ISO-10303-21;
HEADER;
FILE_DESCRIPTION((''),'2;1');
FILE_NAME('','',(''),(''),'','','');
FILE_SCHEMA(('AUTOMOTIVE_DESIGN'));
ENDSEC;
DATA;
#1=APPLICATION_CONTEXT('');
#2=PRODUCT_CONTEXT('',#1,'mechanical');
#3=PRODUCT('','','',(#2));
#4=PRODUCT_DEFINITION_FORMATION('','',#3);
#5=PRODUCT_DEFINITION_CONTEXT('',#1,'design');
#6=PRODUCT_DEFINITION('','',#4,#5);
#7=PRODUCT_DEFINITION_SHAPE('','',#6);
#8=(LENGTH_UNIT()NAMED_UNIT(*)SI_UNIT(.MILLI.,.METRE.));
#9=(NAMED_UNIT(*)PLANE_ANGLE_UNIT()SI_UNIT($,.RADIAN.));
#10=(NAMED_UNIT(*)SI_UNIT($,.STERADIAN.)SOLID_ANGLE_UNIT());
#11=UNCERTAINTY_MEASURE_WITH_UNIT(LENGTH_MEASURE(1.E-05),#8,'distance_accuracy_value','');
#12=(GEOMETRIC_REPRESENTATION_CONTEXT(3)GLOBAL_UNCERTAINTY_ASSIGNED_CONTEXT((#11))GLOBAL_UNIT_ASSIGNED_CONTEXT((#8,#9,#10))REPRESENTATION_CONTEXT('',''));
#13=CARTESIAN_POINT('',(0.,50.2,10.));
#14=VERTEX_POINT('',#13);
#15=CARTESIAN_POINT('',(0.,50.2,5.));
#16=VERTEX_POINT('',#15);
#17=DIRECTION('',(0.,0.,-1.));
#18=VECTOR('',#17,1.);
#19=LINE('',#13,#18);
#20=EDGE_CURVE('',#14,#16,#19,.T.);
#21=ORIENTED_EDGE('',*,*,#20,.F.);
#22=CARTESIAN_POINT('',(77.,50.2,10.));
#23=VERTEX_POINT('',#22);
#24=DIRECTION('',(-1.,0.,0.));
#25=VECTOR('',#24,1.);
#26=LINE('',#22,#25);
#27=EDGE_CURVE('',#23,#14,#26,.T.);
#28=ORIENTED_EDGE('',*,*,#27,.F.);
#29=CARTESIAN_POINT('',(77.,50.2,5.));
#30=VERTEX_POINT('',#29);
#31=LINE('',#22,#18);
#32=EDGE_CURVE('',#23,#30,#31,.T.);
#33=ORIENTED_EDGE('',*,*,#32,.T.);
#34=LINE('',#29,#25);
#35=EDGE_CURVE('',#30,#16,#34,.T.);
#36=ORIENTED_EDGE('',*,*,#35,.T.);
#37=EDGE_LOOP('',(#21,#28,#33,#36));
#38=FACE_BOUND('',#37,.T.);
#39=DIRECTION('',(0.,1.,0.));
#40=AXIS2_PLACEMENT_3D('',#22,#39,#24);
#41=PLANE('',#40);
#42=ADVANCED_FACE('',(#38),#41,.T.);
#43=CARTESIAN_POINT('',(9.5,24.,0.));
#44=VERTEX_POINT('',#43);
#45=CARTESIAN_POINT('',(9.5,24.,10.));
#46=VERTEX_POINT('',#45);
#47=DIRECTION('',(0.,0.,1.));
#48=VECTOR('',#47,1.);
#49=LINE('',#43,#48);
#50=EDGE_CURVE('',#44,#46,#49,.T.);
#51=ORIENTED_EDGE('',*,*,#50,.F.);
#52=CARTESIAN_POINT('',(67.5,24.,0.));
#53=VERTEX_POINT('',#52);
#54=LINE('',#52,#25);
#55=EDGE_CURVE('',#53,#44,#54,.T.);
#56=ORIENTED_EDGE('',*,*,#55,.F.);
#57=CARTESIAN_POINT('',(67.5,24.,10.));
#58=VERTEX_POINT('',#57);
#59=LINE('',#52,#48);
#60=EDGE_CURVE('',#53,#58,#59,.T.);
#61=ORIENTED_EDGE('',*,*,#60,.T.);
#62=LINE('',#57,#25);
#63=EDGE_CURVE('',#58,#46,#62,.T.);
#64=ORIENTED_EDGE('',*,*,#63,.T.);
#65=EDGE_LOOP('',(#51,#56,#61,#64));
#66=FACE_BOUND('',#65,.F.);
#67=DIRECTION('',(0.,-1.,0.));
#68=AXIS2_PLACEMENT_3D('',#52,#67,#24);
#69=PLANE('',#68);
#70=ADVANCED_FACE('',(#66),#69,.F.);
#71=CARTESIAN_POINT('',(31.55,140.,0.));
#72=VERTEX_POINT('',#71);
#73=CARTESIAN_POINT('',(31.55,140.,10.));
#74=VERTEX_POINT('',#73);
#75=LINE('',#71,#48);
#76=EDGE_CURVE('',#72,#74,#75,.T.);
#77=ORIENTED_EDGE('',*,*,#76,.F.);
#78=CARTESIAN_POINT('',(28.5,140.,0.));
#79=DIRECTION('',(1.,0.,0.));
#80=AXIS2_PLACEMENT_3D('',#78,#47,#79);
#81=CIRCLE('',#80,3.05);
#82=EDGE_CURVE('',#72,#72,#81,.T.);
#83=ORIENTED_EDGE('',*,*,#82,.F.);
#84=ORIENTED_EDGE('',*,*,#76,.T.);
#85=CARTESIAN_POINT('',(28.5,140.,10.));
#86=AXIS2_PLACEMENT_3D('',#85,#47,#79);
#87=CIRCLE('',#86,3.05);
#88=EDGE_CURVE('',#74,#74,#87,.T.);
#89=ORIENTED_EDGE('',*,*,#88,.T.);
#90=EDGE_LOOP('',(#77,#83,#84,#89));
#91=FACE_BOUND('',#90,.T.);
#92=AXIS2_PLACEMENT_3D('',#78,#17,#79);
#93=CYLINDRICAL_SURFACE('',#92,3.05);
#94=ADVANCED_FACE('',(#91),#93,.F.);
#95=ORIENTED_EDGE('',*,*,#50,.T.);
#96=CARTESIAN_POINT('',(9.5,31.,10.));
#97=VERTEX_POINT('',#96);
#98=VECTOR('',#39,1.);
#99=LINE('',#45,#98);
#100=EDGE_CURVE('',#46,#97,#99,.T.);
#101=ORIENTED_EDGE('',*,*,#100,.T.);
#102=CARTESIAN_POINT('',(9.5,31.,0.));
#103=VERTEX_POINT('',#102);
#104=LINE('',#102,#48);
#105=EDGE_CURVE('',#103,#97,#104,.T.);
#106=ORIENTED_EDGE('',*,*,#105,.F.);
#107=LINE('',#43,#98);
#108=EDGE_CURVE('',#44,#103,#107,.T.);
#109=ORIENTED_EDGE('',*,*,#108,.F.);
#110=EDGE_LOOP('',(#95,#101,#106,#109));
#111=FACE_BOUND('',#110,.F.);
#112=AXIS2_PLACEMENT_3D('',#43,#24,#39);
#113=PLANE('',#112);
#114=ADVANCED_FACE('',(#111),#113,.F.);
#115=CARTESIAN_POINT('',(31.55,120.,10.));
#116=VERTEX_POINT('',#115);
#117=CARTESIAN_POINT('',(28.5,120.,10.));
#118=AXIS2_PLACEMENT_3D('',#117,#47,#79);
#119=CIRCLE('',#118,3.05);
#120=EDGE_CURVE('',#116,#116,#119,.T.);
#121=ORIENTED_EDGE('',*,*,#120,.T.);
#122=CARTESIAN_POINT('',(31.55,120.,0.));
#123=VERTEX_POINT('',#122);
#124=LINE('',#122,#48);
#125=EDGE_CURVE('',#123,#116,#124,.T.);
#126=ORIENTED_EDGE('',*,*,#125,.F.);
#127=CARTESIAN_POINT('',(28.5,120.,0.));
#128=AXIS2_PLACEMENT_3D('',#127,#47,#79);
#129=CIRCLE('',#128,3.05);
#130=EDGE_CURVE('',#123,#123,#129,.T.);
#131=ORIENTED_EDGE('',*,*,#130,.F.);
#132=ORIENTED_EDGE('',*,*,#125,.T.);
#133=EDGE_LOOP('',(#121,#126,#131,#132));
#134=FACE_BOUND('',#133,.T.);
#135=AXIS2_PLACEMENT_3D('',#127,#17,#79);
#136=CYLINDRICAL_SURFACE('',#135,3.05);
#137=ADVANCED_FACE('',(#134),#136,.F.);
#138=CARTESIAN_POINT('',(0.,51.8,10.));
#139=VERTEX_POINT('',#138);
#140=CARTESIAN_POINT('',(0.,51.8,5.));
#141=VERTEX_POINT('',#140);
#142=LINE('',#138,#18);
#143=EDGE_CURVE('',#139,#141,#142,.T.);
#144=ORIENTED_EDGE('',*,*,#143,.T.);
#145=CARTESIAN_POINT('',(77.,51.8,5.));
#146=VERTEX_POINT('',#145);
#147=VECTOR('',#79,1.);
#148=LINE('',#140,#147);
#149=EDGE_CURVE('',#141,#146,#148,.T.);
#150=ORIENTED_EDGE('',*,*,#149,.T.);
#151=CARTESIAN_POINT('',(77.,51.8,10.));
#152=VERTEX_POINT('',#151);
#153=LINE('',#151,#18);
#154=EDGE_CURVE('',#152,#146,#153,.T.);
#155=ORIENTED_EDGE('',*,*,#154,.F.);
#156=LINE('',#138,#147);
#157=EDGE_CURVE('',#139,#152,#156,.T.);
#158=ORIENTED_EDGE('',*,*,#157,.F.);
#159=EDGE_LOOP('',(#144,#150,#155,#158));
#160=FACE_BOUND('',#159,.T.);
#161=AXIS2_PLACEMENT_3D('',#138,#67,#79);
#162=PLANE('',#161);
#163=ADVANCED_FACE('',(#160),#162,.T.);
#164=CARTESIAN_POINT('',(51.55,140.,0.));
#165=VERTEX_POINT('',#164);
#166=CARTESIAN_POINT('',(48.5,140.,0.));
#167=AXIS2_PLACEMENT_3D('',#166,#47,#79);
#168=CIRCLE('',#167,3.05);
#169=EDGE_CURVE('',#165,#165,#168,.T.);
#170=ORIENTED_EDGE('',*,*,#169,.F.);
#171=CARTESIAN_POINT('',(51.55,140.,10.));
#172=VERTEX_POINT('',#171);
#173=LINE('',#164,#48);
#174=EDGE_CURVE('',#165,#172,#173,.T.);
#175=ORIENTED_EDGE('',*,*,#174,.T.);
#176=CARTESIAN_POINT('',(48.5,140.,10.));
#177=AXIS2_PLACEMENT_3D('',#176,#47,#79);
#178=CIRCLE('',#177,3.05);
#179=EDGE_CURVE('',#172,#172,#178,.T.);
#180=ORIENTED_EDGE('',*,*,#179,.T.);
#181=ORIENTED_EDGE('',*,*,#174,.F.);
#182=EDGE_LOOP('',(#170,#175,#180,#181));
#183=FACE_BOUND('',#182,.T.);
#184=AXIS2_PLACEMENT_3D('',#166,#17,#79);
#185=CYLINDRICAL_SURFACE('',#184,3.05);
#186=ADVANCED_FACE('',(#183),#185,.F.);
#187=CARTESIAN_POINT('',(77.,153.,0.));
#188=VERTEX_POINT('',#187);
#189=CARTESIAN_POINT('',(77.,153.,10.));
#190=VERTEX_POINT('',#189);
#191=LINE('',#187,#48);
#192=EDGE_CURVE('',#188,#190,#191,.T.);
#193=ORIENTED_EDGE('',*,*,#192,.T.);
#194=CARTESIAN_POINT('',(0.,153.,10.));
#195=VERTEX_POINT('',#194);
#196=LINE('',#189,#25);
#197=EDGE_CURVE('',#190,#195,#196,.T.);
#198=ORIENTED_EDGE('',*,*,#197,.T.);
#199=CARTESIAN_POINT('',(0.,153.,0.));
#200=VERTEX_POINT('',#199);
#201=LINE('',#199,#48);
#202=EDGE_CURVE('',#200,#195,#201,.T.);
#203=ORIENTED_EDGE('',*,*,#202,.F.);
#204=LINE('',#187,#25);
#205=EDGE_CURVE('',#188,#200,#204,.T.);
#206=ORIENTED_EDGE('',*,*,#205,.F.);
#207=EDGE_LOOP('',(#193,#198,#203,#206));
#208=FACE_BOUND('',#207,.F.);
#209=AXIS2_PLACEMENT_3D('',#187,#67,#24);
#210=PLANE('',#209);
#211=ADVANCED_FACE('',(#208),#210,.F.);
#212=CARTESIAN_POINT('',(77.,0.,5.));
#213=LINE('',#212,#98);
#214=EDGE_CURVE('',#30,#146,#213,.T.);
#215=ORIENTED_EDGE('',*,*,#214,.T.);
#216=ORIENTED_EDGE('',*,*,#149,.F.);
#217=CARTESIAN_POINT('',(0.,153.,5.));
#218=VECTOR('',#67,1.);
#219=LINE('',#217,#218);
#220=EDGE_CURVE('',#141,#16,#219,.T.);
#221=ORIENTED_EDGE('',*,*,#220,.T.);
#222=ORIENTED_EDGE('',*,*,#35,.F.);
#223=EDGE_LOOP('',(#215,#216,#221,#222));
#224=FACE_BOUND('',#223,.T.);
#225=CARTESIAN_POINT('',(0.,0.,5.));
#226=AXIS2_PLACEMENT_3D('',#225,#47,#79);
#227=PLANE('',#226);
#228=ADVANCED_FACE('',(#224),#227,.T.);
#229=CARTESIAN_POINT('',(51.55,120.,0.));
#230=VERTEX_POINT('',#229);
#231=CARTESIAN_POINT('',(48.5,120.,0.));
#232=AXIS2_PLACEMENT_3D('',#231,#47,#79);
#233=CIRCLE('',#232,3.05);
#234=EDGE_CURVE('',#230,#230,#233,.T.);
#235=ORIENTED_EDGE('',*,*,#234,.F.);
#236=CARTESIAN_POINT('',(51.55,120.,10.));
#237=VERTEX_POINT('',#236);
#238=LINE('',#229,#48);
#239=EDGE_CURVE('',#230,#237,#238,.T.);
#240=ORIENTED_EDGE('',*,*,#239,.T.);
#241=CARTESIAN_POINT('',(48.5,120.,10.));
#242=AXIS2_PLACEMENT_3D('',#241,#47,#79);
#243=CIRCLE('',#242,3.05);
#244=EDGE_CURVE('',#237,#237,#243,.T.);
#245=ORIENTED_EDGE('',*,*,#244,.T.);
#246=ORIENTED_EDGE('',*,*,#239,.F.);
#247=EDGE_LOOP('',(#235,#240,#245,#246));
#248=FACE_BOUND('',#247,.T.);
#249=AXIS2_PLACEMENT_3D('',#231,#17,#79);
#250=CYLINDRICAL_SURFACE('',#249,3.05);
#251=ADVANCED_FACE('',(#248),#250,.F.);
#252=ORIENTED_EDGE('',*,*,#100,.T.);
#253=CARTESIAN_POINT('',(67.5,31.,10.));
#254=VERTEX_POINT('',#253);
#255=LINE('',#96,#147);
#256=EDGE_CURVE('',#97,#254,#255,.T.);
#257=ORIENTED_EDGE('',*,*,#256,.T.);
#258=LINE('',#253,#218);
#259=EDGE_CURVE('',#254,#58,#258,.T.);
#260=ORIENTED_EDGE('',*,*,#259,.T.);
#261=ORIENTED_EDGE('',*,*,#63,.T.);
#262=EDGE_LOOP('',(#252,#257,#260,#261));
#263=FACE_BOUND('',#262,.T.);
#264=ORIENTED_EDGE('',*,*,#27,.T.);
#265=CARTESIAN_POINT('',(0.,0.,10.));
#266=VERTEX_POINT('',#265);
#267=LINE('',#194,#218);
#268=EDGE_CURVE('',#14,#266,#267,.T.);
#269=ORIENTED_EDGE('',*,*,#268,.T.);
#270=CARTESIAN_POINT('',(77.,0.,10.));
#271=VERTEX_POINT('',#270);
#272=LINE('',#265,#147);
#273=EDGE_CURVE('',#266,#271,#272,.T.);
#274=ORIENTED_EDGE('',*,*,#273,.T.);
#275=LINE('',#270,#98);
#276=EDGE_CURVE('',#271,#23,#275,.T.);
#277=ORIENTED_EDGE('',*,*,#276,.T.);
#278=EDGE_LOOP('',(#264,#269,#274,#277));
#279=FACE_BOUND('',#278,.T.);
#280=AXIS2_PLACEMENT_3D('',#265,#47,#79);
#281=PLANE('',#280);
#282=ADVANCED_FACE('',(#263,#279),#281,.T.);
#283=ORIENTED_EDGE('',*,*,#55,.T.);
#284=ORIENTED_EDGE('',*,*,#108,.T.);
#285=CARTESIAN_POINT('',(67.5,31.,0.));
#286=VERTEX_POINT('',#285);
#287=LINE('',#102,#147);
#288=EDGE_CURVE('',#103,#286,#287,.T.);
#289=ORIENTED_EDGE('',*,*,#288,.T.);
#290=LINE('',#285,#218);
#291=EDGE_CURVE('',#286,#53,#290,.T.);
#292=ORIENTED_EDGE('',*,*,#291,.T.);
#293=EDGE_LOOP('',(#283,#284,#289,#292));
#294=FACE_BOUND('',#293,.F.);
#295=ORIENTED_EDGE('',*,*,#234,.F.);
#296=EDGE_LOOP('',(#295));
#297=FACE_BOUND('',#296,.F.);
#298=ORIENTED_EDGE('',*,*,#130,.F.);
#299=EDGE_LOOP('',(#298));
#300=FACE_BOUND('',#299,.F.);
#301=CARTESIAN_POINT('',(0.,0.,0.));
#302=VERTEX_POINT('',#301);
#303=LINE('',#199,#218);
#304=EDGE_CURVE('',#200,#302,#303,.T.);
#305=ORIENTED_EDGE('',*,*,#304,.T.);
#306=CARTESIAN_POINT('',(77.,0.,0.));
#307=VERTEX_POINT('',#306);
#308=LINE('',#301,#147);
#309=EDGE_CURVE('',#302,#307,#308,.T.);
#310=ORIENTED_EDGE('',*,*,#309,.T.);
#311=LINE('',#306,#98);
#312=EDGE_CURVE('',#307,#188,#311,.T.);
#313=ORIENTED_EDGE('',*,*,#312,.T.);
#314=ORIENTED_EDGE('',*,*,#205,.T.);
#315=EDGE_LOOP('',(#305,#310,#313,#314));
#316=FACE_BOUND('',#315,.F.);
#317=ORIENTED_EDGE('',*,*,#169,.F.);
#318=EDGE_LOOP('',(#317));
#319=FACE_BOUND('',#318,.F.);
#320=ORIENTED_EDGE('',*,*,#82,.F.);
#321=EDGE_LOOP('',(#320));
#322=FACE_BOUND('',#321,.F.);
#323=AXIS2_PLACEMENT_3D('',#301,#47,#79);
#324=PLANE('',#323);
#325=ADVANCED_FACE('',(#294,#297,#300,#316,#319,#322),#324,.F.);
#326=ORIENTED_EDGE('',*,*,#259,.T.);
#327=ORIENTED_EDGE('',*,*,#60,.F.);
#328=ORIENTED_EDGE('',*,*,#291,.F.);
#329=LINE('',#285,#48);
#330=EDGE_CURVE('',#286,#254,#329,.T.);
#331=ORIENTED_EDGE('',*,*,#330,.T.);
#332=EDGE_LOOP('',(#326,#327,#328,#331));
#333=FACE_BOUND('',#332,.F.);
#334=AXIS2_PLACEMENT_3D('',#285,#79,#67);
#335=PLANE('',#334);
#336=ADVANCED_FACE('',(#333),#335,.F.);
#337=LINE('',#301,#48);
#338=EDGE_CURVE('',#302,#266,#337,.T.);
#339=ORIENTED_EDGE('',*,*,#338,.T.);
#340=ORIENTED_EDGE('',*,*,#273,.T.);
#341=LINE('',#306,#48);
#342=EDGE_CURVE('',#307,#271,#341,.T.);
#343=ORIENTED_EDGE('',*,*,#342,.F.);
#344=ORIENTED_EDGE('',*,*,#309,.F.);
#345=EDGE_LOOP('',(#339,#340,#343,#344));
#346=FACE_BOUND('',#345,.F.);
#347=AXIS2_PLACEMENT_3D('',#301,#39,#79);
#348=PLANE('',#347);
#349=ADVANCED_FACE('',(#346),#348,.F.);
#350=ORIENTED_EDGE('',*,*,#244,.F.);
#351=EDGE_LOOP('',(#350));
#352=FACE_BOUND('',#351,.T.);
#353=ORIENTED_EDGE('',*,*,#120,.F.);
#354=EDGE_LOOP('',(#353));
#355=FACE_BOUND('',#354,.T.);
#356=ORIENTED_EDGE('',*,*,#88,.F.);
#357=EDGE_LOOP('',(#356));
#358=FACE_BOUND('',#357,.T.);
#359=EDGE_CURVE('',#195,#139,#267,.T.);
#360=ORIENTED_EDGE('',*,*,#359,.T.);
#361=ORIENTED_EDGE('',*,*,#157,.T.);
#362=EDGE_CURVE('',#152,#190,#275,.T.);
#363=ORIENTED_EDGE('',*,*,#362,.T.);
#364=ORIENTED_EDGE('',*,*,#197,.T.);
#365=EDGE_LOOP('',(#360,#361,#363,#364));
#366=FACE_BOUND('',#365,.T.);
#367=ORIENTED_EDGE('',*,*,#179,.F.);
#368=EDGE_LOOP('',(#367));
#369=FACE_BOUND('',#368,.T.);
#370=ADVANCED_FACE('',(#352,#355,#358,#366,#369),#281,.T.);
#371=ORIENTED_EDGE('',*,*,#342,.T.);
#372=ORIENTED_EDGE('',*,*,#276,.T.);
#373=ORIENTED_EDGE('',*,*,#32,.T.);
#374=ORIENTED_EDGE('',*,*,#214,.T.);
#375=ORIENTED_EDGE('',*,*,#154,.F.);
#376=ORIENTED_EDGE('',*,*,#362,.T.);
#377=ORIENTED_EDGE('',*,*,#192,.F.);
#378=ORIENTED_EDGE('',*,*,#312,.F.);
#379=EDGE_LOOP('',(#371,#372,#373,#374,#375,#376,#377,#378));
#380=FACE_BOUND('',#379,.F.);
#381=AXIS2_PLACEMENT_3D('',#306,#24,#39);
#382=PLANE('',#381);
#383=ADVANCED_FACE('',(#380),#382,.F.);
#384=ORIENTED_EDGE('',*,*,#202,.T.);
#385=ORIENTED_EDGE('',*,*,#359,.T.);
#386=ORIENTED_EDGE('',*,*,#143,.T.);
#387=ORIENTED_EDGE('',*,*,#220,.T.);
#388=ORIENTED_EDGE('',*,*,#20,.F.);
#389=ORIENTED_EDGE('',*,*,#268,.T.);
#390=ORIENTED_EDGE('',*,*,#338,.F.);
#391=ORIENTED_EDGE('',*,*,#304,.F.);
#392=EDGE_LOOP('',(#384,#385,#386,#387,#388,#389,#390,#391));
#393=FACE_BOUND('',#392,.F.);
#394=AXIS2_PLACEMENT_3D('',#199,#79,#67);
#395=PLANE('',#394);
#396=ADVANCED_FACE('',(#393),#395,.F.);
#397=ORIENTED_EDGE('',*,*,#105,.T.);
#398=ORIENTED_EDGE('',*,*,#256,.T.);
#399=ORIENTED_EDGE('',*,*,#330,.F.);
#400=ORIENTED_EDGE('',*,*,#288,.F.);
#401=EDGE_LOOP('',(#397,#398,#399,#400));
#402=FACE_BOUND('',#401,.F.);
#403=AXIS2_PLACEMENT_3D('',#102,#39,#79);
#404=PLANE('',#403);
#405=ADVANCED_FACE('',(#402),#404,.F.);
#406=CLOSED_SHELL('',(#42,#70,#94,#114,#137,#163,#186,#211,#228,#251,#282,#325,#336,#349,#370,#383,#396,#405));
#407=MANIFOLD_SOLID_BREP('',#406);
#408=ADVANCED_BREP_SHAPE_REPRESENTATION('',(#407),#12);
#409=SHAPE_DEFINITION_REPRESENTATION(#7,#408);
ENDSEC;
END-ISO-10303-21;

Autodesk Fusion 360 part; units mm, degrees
sketch "Sketch1" plane through (0, 0, 0) normal (0, 0, 1) x (1, 0, 0)
  line L0 (0, 0) -> (77, 0)
  line L1 (77, 0) -> (77, 153)
  line L2 (77, 153) -> (0, 153)
  line L3 (0, 153) -> (0, 0)
  circle A0 centre (28.5, 140) radius 3.05
  circle A1 centre (48.5, 140) radius 3.05
  circle A2 centre (28.5, 120) radius 3.05
  circle A3 centre (48.5, 120) radius 3.05
  line L4 (9.5, 31) -> (67.5, 31)
  line L5 (67.5, 31) -> (67.5, 24)
  line L6 (67.5, 24) -> (9.5, 24)
  line L7 (9.5, 24) -> (9.5, 31)
  dimension "d1" = 153
  dimension "d2" = 77
  dimension "d3" = 6.1
  dimension "d4" = 6.1
  dimension "d5" = 6.1
  dimension "d6" = 6.1
  dimension "d7" = 140
  dimension "d8" = 140
  dimension "d9" = 120
  dimension "d10" = 120
  dimension "d11" = 20
  dimension "d12" = 20
  dimension "d13" = 28.5
  dimension "d14" = 28.5
  dimension "d17" = 24
  dimension "d18" = 9.5
  dimension "d19" = 9.5
  dimension "d20" = 7
extrude "Extrude1" add sketch "Sketch1" along normal blind 10
sketch "Sketch2" plane through (0, 0, 10) normal (0, 0, 1) x (1, 0, 0)
  circle A0 centre (28.5, 120) radius 3.05
  circle A1 centre (48.5, 120) radius 3.05
  circle A2 centre (48.5, 140) radius 3.05
  circle A3 centre (28.5, 140) radius 3.05
  line L0 (67.5, 24) -> (9.5, 24)
  line L1 (9.5, 24) -> (9.5, 31)
  line L2 (9.5, 31) -> (67.5, 31)
  line L3 (67.5, 31) -> (67.5, 24)
  line L4 (0, 153) -> (0, 0)
  line L5 (0, 0) -> (77, 0)
  line L6 (77, 0) -> (77, 153)
  line L7 (77, 153) -> (0, 153)
  line L8 (0, 51.8) -> (77, 51.8)
  line L9 (77, 51.8) -> (77, 50.2)
  line L10 (77, 50.2) -> (0, 50.2)
  line L11 (0, 50.2) -> (0, 51.8)
  dimension "d21" = 50.2
  dimension "d22" = 51.8
extrude "Extrude2" cut sketch "Sketch2" against normal blind 5 contours L4 L6 L8 L9 L10 L11
equation "d4 = d3"
equation "d5 = d3"
equation "d6 = d3"
equation "d8 = d7"
equation "d10 = d9"
equation "d12 = d11"
equation "d14 = d13"
